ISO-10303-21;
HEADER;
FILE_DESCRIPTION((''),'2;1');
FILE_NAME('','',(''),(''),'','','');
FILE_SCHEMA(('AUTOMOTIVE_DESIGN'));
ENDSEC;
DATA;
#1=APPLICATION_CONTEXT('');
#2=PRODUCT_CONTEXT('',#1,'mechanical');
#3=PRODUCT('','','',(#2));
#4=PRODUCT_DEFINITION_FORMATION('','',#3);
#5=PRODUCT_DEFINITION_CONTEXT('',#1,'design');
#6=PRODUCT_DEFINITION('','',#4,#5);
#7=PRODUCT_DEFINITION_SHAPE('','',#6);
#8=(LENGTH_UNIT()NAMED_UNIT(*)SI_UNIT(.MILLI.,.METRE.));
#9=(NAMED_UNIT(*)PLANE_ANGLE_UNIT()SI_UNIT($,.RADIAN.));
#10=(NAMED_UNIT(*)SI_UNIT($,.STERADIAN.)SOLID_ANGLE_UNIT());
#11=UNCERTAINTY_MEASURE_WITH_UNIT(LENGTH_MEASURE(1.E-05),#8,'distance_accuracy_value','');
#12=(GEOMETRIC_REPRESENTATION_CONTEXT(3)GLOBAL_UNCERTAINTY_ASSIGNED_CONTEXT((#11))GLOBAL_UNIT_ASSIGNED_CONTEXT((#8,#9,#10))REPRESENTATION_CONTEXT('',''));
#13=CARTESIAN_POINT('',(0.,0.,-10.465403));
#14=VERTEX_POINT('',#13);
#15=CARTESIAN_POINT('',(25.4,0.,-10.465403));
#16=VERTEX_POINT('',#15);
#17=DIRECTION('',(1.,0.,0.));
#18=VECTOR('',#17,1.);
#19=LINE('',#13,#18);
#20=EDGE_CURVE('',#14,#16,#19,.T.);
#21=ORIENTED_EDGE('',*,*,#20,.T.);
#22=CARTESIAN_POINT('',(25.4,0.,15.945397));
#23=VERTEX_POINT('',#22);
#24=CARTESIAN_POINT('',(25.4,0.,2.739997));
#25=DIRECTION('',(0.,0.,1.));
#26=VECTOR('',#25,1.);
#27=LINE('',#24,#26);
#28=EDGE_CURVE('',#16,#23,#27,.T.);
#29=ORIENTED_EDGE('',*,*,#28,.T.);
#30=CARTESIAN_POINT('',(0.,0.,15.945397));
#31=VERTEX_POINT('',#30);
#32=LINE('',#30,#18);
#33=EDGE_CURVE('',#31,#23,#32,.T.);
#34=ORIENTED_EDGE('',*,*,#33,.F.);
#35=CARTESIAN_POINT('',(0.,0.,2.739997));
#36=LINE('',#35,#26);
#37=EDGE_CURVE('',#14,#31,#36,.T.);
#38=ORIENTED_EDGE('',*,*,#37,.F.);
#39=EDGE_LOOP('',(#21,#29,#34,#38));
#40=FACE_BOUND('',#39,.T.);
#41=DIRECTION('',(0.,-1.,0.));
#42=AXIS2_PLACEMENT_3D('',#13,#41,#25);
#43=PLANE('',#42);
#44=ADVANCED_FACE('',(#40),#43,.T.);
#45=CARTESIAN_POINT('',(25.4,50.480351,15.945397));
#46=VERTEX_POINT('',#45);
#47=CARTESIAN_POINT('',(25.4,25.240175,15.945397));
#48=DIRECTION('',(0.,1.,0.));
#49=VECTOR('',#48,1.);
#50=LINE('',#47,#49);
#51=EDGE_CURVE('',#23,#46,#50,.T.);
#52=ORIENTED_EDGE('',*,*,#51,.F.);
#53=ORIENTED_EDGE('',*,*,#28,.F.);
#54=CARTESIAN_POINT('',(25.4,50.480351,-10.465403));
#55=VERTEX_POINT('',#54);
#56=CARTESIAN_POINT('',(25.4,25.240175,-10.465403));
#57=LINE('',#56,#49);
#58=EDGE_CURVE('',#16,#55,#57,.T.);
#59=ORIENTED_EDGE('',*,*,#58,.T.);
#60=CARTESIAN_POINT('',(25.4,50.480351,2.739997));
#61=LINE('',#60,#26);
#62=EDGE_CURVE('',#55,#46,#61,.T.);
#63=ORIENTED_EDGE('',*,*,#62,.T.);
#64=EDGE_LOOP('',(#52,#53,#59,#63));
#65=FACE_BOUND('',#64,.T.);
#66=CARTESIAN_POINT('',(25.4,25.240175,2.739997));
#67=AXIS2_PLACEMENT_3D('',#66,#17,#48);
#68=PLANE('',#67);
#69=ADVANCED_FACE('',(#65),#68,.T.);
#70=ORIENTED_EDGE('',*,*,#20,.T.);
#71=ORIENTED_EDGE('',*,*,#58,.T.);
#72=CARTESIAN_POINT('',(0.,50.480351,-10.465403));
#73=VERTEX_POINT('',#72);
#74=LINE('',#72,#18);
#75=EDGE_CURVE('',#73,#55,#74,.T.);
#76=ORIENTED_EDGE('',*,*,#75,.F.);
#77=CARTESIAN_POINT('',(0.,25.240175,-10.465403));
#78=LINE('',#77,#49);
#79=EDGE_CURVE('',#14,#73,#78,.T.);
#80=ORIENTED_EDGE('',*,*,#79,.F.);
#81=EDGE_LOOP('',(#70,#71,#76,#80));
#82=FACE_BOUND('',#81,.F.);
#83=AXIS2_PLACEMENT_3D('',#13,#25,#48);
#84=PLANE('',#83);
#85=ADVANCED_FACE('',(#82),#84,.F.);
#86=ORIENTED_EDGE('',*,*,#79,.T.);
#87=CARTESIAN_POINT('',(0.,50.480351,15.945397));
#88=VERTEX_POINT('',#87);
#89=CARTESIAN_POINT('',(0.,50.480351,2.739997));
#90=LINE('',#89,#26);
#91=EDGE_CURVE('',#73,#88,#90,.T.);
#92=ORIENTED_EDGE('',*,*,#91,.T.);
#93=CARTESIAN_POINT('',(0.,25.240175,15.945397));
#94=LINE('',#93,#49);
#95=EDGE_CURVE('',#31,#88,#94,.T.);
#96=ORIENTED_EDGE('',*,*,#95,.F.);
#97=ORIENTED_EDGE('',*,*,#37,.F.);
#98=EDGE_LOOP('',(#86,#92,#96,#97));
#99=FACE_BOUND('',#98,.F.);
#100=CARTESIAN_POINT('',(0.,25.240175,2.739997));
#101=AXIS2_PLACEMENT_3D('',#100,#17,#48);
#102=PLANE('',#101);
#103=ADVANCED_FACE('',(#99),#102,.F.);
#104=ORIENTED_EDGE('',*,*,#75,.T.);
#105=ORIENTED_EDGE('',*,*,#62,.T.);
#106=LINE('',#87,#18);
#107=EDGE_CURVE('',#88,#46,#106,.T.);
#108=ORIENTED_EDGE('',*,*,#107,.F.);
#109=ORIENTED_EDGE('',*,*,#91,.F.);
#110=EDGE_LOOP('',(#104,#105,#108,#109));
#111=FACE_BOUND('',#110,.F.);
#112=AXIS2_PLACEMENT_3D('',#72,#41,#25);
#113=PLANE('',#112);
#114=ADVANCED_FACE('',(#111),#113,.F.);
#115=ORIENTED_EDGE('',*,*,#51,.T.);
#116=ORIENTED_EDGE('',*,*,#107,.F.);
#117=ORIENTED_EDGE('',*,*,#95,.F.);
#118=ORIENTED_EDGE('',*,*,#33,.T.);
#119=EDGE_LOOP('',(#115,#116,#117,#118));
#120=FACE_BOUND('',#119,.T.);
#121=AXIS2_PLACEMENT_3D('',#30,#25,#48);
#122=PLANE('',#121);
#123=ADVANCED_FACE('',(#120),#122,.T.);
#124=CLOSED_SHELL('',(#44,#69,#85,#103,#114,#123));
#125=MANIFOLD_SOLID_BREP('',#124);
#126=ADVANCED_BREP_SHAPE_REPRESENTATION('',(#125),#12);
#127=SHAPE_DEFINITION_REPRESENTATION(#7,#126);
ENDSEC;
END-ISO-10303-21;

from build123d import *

# Parameters (mm, degrees)
F1_DEPTH = 127
F3_W     = 50.480350852
F3_H     = 26.4108004048
F3_R     = 4.0876975992
F4_DEPTH = 25.4


with BuildPart() as f1:
    # F0 (on Front) → F1 (new body)
    with BuildSketch(Plane.XZ):
        Polygon((-38.6266857386, -9.9715394899), (-20.369682461, -28.674185276), (0, -28.674185276), (0, 22.6510167122), (-20.369682461, 22.6510167122), (-38.6266857386, 8.4274075925), align=None)
    extrude(amount=-F1_DEPTH)


with BuildPart() as f4:
    # F3 (on Right) → F4 (new body)
    with BuildSketch(Plane.YZ):
        with Locations((25.240175426, 2.739997115)):
            Rectangle(F3_W, F3_H)
        with Locations((16.2280499935, 7.0170103572)):
            Circle(F3_R, mode=Mode.SUBTRACT)
        with Locations((16.2280499935, 7.0170103572)):
            Circle(F3_R)
    extrude(amount=F4_DEPTH)


solid = f4.part
